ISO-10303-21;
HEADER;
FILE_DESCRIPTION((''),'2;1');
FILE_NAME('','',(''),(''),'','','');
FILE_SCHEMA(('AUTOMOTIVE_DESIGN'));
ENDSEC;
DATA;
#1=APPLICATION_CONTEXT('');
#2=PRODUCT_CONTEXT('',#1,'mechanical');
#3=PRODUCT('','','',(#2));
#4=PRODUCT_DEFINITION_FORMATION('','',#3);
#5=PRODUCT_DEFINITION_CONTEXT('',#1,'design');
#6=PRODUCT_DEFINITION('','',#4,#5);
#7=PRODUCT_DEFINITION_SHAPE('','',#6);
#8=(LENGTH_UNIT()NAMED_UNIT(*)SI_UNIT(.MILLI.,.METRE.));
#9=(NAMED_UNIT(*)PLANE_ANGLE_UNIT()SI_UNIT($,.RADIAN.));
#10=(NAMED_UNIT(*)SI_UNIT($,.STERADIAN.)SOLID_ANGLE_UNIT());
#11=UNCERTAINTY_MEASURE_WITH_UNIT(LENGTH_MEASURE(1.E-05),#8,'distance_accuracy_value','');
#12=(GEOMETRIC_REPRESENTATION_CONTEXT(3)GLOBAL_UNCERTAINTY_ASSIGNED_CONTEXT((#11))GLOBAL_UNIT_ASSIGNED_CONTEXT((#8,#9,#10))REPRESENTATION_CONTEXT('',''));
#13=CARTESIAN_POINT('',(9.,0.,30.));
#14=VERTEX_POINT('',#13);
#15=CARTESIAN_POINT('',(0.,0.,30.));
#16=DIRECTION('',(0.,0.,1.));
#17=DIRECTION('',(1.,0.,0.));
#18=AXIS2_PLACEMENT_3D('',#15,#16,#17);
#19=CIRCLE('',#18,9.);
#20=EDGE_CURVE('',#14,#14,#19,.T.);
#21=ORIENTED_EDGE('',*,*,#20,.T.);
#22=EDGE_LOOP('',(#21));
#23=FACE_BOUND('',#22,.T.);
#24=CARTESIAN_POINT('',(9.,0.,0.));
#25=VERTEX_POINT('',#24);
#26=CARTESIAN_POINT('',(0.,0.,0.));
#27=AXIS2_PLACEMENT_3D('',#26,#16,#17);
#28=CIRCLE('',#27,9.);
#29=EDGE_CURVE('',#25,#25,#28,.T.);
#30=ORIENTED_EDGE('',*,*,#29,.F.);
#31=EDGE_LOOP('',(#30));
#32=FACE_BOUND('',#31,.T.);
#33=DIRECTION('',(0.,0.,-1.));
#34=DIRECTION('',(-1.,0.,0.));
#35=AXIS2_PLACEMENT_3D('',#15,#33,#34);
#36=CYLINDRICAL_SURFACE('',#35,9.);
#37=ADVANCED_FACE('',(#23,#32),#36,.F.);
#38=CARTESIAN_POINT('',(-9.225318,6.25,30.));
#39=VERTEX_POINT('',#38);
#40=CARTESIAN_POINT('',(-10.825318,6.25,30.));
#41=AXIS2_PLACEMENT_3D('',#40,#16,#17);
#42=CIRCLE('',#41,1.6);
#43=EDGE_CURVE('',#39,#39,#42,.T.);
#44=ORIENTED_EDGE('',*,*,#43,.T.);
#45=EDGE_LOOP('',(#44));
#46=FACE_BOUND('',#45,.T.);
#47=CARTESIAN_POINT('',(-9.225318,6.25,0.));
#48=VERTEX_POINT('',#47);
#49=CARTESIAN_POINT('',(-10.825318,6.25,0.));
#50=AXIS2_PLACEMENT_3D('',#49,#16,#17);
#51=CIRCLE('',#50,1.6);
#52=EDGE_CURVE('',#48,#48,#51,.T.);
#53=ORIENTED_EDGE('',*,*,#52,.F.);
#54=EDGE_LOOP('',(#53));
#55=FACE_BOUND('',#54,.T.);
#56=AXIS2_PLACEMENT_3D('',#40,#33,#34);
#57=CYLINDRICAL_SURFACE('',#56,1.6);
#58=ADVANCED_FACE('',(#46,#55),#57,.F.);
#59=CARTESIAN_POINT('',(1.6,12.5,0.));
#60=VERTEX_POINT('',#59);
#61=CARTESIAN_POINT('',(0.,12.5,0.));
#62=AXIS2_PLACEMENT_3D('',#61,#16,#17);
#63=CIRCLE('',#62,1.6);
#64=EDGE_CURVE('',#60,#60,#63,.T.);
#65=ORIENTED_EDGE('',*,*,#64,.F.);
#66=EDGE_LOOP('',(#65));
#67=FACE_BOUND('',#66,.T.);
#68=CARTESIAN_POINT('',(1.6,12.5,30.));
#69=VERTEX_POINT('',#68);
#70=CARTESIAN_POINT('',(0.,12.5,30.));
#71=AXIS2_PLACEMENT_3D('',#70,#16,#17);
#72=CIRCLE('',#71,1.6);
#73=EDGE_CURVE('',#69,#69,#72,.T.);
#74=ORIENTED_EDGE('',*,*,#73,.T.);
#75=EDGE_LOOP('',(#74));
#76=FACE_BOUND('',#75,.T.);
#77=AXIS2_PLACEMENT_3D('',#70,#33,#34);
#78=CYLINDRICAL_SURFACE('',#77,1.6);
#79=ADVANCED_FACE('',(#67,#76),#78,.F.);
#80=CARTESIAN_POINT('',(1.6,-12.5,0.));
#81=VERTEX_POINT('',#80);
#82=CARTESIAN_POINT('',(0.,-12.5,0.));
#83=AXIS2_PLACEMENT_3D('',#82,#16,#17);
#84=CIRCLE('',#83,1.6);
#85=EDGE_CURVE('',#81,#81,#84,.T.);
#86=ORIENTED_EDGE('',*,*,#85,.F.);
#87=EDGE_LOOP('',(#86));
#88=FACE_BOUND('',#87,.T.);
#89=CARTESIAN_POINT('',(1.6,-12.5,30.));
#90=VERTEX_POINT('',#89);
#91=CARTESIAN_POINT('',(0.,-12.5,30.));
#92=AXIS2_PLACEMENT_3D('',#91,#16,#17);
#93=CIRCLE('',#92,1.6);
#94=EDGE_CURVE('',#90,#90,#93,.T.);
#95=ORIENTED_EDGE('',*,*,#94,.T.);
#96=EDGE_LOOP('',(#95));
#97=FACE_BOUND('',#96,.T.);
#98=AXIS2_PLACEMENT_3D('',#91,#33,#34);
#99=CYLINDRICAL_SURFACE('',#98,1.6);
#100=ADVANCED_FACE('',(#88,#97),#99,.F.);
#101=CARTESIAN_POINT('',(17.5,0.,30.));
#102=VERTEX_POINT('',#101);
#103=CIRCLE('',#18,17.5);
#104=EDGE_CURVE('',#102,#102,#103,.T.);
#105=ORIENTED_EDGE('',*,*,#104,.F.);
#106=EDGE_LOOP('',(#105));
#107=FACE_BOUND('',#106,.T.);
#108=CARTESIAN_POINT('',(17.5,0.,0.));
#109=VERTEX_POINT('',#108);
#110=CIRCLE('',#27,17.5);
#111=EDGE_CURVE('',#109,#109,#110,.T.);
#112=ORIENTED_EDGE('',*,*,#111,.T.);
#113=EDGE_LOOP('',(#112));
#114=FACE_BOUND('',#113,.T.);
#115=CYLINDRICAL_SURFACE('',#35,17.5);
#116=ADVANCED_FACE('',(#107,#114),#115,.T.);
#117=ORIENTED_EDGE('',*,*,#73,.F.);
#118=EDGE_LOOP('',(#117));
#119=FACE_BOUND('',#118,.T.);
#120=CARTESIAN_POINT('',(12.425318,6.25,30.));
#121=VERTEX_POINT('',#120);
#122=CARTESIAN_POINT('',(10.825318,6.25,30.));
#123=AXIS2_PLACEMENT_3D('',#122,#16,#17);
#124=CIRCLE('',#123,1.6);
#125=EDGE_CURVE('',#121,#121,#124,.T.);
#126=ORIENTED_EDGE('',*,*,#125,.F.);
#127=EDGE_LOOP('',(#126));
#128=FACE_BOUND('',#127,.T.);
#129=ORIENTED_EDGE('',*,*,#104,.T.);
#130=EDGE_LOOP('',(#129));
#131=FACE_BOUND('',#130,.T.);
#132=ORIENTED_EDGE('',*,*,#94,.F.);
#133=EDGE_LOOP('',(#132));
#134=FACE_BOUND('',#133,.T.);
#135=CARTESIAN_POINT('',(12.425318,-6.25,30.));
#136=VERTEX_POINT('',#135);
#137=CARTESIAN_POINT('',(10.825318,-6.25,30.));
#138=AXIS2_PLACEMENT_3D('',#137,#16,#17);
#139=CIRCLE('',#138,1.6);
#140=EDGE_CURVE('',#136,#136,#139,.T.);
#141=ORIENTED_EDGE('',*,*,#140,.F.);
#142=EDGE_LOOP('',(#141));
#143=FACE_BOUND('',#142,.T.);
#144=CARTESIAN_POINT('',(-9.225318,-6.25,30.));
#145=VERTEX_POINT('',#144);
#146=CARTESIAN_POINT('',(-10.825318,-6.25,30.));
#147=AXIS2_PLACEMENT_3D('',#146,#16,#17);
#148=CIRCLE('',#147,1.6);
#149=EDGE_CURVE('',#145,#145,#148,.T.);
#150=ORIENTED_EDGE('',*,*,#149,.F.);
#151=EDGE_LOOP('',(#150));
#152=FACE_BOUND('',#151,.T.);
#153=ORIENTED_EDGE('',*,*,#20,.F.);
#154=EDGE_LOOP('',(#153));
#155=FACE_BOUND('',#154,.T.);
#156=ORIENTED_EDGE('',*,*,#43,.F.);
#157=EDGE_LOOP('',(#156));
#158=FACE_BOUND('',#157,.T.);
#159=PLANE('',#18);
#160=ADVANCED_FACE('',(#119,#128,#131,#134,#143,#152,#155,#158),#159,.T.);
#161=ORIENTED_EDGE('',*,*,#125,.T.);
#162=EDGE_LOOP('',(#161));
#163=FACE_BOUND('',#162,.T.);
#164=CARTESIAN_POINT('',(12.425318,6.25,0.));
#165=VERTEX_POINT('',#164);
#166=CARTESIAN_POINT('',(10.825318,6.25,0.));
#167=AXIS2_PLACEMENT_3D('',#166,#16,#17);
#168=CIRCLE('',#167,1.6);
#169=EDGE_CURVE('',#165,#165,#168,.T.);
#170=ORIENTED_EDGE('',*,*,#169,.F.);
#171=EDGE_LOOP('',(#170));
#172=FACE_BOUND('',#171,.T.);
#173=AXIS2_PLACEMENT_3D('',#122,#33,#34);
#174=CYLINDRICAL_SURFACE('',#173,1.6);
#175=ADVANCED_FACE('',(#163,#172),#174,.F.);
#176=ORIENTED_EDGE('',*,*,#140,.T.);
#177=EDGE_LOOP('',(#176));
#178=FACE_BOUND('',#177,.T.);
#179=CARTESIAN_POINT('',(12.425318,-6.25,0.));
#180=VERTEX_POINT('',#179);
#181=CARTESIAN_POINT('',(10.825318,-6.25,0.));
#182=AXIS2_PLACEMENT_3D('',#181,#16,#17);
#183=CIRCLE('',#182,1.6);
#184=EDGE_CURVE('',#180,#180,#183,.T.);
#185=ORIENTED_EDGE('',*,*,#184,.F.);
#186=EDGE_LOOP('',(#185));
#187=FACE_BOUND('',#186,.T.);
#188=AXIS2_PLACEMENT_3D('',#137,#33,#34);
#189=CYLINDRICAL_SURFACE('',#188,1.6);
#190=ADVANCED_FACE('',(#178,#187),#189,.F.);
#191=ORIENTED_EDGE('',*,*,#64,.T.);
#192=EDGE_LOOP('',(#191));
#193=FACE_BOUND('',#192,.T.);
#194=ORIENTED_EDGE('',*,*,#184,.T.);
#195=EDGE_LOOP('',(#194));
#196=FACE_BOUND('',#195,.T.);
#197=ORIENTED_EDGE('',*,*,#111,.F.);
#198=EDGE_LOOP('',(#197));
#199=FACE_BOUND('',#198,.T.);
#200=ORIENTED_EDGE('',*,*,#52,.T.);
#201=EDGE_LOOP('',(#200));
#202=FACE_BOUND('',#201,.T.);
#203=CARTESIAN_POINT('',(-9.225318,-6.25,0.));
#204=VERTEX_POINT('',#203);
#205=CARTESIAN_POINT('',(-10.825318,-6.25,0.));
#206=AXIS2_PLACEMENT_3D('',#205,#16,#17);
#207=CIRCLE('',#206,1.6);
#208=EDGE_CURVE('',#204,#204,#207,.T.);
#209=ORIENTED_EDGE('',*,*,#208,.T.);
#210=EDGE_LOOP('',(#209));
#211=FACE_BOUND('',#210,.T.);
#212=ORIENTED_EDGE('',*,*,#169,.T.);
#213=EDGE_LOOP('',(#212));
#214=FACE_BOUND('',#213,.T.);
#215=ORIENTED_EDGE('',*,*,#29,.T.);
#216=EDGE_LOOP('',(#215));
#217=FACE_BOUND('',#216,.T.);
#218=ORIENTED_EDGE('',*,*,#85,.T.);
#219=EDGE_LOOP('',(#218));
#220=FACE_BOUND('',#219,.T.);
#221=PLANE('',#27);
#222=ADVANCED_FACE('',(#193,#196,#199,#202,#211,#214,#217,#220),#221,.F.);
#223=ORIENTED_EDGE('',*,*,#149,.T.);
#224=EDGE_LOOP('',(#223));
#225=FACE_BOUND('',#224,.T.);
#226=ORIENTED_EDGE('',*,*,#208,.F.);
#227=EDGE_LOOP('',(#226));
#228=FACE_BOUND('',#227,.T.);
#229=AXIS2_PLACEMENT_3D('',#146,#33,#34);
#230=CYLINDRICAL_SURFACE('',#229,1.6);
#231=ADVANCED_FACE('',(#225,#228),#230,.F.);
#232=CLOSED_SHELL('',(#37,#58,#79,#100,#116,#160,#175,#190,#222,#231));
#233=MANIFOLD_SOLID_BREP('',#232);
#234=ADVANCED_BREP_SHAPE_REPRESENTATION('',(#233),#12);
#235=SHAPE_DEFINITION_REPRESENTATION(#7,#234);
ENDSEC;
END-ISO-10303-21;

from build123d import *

# Parameters (mm, degrees)
SKETCH1_R           = 17.5
SKETCH1_R_2         = 1.6
SKETCH1_R_3         = 9
BOSS_EXTRUDE1_DEPTH = 30


with BuildPart() as part:
    # Sketch1 → Boss-Extrude1 (new body)
    with BuildSketch(Plane.XY):
        Circle(SKETCH1_R)
        with Locations((0, 12.5)):
            Circle(SKETCH1_R_2, mode=Mode.SUBTRACT)
        with Locations((10.825317547, 6.25)):
            Circle(SKETCH1_R_2, mode=Mode.SUBTRACT)
        with Locations((10.825317547, -6.25)):
            Circle(SKETCH1_R_2, mode=Mode.SUBTRACT)
        with Locations((0, -12.5)):
            Circle(SKETCH1_R_2, mode=Mode.SUBTRACT)
        with Locations((-10.825317547, -6.25)):
            Circle(SKETCH1_R_2, mode=Mode.SUBTRACT)
        with Locations((-10.825317547, 6.25)):
            Circle(SKETCH1_R_2, mode=Mode.SUBTRACT)
        Circle(SKETCH1_R_3, mode=Mode.SUBTRACT)
    extrude(amount=BOSS_EXTRUDE1_DEPTH)


solid = part.part
